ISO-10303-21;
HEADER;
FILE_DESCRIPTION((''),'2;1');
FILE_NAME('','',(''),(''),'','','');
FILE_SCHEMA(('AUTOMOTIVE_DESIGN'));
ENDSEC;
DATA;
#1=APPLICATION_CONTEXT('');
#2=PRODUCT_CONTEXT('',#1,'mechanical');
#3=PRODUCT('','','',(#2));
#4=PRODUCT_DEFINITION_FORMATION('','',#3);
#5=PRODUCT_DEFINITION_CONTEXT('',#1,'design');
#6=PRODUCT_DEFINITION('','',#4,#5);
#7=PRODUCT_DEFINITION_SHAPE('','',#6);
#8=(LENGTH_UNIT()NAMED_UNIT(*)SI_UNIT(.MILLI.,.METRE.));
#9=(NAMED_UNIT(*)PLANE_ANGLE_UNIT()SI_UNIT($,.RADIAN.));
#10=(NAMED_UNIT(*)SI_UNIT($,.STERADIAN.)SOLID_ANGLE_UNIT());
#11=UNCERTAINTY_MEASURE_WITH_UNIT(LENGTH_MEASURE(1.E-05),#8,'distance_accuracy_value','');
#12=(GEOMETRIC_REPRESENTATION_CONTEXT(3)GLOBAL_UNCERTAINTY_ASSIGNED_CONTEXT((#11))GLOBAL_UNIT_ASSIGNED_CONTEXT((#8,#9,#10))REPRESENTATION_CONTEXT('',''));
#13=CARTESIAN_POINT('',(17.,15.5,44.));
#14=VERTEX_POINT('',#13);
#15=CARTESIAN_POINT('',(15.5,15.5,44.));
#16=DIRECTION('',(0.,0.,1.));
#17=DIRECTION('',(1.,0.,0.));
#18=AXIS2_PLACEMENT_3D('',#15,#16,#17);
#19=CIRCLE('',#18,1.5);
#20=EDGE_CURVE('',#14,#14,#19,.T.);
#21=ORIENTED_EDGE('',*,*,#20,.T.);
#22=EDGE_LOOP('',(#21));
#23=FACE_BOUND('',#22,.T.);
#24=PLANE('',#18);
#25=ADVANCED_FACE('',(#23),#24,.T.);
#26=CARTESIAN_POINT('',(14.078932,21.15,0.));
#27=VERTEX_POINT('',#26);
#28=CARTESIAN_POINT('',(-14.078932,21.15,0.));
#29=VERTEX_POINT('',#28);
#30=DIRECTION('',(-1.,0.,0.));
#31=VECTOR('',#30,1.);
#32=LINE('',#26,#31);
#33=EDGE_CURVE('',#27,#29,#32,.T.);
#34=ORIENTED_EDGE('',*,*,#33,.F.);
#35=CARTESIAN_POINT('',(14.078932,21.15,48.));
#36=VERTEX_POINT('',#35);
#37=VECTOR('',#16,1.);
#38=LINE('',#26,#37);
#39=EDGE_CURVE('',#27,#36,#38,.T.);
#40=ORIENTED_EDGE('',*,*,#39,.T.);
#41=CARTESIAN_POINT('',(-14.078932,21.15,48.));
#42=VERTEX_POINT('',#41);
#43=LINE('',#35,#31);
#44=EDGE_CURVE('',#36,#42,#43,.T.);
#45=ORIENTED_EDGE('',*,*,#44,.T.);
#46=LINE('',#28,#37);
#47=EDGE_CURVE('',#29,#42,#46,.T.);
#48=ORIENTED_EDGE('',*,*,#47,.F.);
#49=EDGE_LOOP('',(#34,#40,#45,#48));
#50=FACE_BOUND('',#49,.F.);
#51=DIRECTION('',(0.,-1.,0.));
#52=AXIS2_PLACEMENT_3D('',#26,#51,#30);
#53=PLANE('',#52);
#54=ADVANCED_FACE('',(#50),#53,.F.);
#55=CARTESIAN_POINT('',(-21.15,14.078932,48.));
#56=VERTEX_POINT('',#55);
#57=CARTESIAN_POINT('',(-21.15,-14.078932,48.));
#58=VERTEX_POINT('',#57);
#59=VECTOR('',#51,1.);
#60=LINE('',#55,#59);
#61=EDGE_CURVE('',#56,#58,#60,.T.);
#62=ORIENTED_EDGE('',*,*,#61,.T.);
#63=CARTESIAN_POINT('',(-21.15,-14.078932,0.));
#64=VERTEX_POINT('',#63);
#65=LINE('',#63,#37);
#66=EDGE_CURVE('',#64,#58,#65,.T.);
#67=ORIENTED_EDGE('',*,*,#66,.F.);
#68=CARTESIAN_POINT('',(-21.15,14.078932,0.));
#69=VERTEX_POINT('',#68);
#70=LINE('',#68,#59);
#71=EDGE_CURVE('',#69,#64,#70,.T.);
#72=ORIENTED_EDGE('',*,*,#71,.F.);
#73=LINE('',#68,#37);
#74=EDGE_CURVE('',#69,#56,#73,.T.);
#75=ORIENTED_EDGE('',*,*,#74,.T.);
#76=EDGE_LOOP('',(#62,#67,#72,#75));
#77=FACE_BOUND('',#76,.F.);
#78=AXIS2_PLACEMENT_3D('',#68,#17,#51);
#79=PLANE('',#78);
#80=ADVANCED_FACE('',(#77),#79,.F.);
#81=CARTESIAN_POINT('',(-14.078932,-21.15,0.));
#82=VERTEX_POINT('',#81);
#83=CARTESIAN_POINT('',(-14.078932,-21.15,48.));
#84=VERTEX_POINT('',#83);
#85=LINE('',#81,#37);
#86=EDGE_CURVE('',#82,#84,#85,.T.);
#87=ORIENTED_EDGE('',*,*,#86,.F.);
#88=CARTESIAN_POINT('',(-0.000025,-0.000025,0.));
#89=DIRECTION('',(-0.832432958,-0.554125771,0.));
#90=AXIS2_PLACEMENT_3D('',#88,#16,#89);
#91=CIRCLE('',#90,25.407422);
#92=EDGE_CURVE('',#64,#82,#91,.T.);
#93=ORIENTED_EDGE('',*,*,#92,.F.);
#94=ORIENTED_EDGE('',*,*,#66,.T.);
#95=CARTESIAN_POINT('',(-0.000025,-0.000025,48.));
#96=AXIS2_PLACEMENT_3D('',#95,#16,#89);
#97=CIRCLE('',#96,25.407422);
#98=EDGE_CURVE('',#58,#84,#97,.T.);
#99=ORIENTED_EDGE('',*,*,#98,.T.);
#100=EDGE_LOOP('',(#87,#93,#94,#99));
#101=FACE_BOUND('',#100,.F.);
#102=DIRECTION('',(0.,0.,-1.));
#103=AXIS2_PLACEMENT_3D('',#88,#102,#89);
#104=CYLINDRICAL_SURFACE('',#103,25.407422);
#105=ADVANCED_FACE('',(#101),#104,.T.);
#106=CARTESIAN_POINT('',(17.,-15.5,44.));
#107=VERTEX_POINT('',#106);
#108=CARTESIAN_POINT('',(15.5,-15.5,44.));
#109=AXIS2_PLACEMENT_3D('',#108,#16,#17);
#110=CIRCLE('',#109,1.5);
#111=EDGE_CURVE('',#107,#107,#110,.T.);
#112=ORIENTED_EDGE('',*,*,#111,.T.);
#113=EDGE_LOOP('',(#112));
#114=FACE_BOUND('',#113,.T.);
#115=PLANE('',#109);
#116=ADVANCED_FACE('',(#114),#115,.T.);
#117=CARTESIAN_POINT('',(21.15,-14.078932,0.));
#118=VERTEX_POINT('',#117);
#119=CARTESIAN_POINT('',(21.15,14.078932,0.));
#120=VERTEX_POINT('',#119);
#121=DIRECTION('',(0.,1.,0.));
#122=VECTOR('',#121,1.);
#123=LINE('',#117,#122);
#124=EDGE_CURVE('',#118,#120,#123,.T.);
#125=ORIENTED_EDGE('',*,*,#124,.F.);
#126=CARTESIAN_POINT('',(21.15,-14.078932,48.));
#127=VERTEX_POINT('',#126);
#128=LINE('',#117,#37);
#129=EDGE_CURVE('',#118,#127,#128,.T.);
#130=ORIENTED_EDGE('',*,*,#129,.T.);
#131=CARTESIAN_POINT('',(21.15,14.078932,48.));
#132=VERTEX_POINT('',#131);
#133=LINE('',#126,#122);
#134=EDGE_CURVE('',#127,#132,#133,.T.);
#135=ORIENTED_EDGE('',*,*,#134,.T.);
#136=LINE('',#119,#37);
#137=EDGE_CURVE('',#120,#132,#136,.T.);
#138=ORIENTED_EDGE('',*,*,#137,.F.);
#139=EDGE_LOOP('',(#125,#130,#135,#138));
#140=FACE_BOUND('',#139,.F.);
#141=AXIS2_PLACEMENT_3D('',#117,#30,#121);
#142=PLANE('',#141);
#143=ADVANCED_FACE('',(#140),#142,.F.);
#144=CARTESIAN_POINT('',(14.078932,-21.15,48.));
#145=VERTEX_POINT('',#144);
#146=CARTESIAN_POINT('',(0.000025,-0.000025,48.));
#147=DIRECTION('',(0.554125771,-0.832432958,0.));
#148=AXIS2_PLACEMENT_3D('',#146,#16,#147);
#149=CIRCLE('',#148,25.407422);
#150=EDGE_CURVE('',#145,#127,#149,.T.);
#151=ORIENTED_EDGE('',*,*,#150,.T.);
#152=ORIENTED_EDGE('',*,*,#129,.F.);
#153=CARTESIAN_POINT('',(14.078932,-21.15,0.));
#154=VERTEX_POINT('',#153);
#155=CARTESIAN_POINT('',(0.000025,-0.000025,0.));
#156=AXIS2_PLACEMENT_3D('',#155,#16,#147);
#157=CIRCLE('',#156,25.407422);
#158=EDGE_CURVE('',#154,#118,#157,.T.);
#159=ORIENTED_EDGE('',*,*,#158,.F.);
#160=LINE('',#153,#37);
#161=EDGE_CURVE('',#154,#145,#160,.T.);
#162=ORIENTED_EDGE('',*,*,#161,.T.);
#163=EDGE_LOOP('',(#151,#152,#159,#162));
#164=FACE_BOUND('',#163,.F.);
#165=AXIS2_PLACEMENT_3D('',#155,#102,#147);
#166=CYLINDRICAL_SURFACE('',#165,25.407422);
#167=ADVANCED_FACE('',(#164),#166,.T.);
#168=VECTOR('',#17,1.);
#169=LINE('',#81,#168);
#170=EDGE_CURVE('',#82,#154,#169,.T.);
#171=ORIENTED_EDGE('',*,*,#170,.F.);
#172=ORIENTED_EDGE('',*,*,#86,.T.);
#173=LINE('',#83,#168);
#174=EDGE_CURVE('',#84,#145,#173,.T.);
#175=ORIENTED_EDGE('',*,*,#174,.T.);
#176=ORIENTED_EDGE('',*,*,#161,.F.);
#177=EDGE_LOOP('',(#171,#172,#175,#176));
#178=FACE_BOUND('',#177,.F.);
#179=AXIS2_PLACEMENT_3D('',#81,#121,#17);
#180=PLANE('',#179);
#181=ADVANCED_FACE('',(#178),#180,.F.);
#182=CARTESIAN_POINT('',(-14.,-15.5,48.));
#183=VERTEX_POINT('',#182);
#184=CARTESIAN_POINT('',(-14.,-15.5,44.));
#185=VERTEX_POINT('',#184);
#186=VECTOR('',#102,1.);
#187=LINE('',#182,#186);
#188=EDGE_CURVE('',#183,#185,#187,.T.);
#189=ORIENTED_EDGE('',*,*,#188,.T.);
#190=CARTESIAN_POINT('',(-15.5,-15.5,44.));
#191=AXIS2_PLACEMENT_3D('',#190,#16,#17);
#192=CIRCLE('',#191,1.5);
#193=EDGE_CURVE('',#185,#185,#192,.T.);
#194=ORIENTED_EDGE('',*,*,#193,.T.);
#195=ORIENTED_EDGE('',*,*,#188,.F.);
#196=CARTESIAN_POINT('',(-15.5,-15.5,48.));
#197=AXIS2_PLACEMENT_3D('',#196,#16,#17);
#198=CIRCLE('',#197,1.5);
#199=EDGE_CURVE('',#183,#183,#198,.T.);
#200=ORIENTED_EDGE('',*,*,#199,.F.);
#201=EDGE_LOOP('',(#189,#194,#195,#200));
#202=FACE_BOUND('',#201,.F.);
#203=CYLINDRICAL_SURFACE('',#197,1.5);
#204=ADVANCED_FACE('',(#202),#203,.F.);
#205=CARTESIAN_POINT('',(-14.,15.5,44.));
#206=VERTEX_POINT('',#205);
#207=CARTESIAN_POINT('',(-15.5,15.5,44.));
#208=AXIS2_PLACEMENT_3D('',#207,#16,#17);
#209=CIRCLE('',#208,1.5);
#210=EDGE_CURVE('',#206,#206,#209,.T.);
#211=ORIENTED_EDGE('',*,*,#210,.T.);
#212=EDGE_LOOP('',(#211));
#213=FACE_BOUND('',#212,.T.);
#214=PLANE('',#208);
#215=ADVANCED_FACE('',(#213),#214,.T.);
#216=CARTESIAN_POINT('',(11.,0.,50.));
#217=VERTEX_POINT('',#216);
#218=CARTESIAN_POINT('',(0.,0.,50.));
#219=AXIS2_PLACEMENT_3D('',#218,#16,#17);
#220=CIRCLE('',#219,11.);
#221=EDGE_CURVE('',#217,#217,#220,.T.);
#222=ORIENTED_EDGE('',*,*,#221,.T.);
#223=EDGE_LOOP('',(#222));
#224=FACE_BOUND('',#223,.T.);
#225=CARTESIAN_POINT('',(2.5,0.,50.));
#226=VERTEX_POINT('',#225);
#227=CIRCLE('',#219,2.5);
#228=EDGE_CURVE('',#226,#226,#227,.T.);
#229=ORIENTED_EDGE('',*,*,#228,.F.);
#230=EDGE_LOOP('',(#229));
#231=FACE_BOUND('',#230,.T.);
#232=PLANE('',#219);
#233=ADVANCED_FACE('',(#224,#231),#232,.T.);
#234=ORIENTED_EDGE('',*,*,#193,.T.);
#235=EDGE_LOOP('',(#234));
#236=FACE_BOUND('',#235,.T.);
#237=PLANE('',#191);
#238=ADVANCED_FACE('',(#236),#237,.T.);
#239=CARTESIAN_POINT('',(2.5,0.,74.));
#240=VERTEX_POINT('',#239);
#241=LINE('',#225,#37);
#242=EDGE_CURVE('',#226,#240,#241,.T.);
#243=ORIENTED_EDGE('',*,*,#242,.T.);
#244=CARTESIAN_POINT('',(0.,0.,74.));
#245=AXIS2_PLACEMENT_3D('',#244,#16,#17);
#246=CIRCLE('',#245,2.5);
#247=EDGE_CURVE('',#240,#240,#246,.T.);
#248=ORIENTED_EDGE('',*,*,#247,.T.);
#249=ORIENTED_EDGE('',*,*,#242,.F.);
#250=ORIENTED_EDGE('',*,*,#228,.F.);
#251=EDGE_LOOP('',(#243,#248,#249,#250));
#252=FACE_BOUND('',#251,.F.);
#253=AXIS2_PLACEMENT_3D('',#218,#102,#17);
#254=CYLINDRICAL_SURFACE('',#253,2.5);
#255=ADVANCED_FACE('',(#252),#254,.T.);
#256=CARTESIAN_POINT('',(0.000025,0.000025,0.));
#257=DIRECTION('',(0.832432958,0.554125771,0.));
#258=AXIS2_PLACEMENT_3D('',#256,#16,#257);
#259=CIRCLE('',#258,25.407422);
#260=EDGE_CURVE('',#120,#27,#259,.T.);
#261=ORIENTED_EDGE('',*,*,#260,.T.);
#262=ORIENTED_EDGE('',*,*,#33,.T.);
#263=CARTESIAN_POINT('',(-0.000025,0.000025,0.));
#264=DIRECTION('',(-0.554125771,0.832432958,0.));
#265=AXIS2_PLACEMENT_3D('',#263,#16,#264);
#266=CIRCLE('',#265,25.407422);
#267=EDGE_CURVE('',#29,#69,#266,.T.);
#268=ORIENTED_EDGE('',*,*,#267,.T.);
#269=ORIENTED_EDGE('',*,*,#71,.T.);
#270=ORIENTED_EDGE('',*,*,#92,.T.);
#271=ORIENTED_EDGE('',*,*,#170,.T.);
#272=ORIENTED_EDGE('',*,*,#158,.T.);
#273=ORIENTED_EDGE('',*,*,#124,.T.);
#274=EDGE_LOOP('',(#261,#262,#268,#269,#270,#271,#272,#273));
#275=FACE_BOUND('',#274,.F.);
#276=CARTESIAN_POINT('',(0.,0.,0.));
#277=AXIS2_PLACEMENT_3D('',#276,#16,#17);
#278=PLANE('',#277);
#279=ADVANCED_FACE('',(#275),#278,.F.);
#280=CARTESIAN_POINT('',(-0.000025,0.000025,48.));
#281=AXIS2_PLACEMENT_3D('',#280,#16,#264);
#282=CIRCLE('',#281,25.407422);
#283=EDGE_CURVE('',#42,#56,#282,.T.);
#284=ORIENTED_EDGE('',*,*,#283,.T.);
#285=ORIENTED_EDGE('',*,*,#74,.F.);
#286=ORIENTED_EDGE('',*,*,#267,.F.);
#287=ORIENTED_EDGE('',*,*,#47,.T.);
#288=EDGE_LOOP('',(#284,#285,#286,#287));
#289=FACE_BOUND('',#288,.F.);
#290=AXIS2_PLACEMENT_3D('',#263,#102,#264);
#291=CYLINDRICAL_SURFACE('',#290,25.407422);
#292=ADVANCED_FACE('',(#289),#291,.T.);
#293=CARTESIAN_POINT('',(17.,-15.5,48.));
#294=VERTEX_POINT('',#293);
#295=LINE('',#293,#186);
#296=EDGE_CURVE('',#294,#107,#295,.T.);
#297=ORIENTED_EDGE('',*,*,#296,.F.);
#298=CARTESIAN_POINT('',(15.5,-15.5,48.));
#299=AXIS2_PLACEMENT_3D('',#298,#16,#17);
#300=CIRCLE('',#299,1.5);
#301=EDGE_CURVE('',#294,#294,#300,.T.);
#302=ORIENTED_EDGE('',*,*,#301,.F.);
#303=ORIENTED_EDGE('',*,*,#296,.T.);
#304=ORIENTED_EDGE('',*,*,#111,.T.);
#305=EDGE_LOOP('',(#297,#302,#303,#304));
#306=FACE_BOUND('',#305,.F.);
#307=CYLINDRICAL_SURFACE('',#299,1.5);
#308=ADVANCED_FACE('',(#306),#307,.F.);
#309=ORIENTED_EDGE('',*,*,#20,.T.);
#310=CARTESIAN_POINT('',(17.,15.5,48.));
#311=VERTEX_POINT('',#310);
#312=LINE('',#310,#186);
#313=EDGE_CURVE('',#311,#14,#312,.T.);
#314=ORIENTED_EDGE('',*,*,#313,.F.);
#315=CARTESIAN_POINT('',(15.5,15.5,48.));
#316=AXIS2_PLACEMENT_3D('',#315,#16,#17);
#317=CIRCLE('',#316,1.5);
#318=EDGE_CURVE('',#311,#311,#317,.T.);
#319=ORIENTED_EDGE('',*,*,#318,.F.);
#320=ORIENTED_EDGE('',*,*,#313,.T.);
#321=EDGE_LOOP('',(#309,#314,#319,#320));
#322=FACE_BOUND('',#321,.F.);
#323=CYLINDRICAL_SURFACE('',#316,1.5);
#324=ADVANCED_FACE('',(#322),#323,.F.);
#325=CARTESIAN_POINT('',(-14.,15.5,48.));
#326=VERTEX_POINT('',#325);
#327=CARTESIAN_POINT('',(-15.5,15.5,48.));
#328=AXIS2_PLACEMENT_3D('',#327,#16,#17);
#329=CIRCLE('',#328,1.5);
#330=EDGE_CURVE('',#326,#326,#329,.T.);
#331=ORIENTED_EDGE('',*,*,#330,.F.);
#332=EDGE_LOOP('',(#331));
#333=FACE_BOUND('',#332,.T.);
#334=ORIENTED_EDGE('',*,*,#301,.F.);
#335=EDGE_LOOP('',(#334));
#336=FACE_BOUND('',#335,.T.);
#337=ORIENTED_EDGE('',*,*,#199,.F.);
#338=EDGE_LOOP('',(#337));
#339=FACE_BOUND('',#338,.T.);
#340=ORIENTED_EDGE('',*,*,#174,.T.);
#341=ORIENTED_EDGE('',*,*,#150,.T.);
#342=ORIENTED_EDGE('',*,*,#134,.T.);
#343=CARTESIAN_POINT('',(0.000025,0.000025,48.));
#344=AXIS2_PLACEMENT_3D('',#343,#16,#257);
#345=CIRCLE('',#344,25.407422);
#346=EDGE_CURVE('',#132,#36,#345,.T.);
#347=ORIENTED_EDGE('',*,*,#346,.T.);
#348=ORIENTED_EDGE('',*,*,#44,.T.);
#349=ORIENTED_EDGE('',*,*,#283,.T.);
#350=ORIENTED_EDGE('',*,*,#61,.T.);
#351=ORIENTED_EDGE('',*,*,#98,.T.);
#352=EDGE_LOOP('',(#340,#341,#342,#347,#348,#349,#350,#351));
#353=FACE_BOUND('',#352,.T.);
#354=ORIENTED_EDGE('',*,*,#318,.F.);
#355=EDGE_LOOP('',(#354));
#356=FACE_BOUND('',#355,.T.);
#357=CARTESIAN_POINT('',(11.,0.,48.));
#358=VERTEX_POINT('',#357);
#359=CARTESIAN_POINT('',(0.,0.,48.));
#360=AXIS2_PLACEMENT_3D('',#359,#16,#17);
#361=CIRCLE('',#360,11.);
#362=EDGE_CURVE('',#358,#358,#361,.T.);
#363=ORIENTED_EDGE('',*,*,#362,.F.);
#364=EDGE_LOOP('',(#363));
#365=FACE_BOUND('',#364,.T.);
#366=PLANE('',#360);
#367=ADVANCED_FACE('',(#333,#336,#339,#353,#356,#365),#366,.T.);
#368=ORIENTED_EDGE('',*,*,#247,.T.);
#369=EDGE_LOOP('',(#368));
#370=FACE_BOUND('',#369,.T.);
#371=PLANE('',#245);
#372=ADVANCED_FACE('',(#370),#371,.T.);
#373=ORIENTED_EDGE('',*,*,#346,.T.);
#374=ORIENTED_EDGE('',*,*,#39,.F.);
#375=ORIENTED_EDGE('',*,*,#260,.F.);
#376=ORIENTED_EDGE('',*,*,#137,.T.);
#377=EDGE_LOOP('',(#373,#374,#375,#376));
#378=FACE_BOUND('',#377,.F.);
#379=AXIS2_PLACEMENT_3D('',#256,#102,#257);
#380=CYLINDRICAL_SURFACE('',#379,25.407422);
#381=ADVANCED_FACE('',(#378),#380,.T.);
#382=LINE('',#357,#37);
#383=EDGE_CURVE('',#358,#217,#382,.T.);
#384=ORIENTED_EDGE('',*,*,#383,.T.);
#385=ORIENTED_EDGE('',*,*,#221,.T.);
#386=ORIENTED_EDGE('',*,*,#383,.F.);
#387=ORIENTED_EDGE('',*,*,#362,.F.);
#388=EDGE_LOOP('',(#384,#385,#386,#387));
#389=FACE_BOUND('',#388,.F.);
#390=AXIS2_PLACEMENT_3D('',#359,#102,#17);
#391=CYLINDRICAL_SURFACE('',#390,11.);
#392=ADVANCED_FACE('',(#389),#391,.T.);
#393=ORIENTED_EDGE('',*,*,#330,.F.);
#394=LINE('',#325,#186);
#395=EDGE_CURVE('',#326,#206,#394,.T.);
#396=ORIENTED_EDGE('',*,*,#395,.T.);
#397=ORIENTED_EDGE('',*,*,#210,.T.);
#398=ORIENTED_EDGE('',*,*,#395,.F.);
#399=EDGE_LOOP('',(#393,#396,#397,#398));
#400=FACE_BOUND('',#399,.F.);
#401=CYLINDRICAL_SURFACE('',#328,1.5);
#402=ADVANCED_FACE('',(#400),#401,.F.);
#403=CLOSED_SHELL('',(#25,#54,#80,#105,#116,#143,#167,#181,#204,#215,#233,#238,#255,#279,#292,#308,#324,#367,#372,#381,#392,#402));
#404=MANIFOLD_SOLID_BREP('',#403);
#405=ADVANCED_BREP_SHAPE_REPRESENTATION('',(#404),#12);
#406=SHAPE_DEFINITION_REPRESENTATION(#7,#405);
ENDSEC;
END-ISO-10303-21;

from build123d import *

# Parameters (mm, degrees)
F1_DEPTH = 48
F2_R     = 11
F3_DEPTH = 2
F4_R     = 2.5
F5_DEPTH = 24
F6_R     = 1.5
F7_DEPTH = 4


with BuildPart() as f1:
    # F0 (on Top) → F1 (new body)
    with BuildSketch(Plane.XY):
        with BuildLine():
            ThreePointArc((21.15, 14.078932), (17.965785, 17.965785), (14.078932, 21.15))
            Line((14.078932, 21.15), (-14.078932, 21.15))
            ThreePointArc((-14.078932, 21.15), (-17.965785, 17.965785), (-21.15, 14.078932))
            Line((-21.15, 14.078932), (-21.15, -14.078932))
            ThreePointArc((-21.15, -14.078932), (-17.965785, -17.965785), (-14.078932, -21.15))
            Line((-14.078932, -21.15), (14.078932, -21.15))
            ThreePointArc((14.078932, -21.15), (17.965785, -17.965785), (21.15, -14.078932))
            Line((21.15, -14.078932), (21.15, 14.078932))
        make_face()
    extrude(amount=F1_DEPTH)

    # F2 (on face) → F3 (join)
    with BuildSketch(Plane.XY.offset(48)):
        Circle(F2_R)
    extrude(amount=F3_DEPTH)

    # F4 (on face) → F5 (join)
    with BuildSketch(Plane.XY.offset(50)):
        Circle(F4_R)
    extrude(amount=F5_DEPTH)

    # F6 (on face) → F7 (cut)
    with BuildSketch(Plane.XY.offset(48)):
        with Locations((-15.5, -15.5)):
            Circle(F6_R)
        with Locations((15.5, -15.5)):
            Circle(F6_R)
        with Locations((15.5, 15.5)):
            Circle(F6_R)
        with Locations((-15.5, 15.5)):
            Circle(F6_R)
    extrude(amount=-F7_DEPTH, mode=Mode.SUBTRACT)


solid = f1.part
